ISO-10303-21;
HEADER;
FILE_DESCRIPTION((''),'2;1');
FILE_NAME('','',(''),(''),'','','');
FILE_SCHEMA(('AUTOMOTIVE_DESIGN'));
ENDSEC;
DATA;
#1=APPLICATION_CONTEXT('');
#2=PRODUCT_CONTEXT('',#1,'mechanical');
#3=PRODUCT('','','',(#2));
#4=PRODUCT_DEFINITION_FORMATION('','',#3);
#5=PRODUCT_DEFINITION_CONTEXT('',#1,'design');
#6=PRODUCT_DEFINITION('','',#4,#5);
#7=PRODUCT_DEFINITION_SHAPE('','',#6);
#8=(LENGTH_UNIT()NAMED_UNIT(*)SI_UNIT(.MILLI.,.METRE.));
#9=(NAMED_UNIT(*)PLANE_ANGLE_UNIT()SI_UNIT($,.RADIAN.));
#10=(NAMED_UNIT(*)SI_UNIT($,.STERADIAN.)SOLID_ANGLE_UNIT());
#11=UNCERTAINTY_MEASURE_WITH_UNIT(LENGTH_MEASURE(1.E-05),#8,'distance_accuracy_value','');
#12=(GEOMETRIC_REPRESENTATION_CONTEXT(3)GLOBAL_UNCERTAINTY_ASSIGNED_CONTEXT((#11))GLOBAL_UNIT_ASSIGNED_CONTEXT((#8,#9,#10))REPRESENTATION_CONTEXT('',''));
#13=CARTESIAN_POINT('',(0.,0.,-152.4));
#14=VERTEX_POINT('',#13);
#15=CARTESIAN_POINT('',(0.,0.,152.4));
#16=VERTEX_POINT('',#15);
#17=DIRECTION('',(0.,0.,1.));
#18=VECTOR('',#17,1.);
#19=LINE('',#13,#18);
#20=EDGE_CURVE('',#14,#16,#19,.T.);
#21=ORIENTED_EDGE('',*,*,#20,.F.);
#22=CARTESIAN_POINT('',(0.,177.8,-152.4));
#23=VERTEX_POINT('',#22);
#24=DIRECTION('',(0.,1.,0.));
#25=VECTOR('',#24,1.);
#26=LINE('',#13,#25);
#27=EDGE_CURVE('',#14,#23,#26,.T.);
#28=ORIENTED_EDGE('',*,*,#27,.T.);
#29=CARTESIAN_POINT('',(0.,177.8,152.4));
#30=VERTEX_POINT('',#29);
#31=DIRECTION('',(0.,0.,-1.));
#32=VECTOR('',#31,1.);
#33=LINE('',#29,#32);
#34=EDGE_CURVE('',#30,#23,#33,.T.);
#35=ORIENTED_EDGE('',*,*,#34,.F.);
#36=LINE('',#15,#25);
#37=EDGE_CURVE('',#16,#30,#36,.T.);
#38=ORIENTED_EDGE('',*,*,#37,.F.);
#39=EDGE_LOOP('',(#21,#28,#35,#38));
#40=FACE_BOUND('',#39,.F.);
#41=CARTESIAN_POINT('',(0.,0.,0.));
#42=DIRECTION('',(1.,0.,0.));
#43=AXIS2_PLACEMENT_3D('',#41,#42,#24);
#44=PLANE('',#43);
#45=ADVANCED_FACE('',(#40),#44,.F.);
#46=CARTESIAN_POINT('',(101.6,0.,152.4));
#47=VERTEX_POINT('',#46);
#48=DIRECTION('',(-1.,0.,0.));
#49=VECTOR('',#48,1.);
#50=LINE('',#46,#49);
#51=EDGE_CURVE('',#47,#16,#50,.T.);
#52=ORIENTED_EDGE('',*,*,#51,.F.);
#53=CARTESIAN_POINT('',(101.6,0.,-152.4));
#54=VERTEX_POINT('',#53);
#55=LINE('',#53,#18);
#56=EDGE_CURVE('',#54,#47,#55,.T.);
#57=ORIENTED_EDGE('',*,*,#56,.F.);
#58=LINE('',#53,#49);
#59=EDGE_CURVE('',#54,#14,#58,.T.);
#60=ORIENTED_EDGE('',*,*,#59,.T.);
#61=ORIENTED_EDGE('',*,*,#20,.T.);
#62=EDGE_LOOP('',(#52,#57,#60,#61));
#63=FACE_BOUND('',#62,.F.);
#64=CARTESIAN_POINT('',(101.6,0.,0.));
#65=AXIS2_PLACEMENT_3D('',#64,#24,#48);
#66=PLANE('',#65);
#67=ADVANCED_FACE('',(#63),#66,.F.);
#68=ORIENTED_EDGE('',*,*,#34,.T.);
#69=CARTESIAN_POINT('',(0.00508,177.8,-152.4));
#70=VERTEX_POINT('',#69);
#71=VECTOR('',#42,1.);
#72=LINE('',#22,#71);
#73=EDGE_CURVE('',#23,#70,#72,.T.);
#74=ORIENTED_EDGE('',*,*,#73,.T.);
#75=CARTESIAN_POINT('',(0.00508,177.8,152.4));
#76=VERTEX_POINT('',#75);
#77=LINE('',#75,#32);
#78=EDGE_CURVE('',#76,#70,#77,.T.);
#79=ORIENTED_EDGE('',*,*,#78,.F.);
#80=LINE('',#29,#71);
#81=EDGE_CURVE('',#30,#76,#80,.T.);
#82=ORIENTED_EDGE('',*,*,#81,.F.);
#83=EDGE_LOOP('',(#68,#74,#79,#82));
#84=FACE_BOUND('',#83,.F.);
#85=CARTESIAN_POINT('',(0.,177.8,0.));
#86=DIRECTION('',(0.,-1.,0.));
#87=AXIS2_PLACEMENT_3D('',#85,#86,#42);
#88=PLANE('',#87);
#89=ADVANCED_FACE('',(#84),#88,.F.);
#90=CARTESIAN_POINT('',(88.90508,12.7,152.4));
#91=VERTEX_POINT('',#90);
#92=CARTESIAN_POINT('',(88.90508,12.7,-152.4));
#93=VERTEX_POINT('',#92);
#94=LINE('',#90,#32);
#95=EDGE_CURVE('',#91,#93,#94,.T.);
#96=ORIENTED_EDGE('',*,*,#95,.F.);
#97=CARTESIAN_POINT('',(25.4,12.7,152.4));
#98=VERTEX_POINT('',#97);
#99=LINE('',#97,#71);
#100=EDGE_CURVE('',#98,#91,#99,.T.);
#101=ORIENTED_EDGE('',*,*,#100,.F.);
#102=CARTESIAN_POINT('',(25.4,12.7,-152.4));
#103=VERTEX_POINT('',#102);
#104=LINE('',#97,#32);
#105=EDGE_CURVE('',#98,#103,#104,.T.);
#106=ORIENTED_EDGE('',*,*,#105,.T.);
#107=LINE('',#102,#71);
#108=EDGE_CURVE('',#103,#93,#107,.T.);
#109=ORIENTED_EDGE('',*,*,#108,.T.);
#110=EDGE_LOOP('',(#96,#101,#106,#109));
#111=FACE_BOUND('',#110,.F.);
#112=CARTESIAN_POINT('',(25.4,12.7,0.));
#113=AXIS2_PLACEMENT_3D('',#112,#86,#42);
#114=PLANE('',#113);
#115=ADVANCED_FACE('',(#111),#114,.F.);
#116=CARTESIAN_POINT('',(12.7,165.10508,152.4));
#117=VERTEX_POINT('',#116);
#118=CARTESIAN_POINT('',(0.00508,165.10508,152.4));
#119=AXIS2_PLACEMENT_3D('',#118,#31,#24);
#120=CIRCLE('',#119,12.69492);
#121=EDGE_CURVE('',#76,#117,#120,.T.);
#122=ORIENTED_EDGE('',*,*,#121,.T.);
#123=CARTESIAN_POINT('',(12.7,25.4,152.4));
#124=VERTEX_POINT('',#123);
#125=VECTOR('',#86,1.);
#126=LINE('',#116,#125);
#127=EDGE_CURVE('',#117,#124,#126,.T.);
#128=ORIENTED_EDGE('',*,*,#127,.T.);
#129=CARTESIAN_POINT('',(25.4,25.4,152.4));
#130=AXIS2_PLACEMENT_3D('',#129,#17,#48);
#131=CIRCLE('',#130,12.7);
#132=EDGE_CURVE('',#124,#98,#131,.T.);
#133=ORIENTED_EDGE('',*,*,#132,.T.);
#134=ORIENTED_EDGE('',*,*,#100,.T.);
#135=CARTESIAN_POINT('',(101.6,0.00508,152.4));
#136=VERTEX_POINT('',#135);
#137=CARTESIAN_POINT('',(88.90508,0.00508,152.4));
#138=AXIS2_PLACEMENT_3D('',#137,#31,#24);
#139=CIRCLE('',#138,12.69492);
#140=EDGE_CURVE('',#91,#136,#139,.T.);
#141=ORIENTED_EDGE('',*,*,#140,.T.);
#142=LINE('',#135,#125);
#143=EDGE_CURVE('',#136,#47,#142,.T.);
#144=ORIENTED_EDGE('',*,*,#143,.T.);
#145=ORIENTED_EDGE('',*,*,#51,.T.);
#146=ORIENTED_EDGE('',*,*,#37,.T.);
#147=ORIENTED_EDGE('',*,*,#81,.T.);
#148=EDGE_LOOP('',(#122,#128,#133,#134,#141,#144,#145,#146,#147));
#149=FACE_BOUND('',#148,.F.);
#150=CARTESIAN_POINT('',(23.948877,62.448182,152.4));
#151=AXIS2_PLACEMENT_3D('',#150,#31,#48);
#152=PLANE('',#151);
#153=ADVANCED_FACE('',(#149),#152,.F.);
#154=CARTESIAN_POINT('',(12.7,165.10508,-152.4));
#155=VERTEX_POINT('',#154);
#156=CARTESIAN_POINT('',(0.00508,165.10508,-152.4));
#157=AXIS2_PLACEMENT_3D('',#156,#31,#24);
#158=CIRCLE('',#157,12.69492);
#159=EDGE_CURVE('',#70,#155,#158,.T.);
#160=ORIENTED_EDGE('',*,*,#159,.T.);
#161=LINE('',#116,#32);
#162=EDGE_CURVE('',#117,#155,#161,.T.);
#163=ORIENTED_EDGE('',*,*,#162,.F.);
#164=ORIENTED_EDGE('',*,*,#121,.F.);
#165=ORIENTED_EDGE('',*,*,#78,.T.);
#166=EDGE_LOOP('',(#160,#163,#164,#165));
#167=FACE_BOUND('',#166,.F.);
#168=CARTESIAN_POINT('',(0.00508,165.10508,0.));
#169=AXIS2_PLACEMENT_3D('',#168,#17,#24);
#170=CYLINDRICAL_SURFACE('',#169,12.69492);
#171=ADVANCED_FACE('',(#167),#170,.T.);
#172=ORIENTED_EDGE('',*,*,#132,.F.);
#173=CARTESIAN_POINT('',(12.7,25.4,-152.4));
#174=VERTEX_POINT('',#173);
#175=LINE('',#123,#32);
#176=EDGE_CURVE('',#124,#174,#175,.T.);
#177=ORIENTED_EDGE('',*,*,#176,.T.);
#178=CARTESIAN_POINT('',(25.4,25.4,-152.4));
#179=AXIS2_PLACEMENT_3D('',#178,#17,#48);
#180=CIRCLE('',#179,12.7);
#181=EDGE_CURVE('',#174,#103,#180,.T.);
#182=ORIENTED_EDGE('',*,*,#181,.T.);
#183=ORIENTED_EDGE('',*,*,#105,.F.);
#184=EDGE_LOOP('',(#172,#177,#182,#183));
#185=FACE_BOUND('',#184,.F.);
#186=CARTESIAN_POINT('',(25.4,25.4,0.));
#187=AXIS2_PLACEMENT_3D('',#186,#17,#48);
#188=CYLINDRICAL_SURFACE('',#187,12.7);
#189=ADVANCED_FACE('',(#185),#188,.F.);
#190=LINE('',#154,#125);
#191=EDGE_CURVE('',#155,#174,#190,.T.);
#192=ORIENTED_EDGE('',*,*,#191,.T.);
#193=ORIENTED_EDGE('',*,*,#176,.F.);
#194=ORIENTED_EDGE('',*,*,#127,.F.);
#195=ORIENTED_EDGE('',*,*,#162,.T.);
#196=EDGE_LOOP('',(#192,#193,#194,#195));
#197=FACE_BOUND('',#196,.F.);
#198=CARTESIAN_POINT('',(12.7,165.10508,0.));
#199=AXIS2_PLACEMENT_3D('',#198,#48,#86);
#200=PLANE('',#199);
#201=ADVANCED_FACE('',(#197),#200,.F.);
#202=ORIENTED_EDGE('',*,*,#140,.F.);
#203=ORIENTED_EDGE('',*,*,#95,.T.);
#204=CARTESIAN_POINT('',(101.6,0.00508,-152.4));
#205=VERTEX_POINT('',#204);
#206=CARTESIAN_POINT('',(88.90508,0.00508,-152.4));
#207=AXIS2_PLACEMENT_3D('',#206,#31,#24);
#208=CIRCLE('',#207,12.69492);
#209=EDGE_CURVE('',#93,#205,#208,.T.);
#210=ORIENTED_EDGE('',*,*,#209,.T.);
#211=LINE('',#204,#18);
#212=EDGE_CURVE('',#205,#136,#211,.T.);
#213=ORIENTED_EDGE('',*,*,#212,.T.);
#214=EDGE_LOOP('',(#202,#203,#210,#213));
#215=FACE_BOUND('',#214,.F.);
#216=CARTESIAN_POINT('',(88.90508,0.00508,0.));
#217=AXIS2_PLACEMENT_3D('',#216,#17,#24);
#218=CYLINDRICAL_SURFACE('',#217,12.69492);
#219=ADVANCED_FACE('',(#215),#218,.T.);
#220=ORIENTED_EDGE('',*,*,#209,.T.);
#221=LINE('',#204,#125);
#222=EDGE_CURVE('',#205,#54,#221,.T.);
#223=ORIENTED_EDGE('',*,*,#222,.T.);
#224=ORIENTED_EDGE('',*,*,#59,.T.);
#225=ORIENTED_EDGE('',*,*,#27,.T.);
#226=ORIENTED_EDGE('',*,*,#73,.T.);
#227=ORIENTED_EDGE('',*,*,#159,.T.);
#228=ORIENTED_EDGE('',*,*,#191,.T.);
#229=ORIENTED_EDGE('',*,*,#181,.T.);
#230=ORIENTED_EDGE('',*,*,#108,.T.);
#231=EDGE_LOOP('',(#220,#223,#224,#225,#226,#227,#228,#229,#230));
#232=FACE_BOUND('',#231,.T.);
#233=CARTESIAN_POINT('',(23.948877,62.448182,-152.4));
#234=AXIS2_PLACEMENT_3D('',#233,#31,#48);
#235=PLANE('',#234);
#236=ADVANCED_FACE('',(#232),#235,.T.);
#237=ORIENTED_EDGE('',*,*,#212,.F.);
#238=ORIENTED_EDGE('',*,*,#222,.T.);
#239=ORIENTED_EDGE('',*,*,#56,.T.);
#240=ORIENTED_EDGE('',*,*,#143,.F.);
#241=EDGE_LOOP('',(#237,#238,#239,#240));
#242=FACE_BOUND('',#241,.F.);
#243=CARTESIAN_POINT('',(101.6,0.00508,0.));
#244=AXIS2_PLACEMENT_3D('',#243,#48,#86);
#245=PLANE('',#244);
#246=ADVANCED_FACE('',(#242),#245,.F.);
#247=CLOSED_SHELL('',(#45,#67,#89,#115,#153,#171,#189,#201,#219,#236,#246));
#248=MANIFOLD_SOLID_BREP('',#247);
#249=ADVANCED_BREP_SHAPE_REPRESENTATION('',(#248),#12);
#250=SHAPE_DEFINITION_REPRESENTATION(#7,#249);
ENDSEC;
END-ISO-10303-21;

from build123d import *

# Parameters (mm, degrees)
BOSS_EXTRUDE2_DEPTH = 152.4


with BuildPart() as part:
    # Sketch2 → Boss-Extrude2 (new body, symmetric)
    with BuildSketch(Plane.XY):
        with BuildLine():
            Line((0, 0), (0, 177.8))
            Line((0, 177.8), (0.00508, 177.8))
            ThreePointArc((0.00508, 177.8), (8.981744019, 174.081744019), (12.7, 165.10508))
            Line((12.7, 165.10508), (12.7, 25.4))
            ThreePointArc((12.7, 25.4), (16.419743879, 16.419743879), (25.4, 12.7))
            Line((25.4, 12.7), (88.90508, 12.7))
            ThreePointArc((88.90508, 12.7), (97.881744019, 8.981744019), (101.6, 0.00508))
            Line((101.6, 0.00508), (101.6, 0))
            Line((101.6, 0), (0, 0))
        make_face()
    extrude(amount=BOSS_EXTRUDE2_DEPTH, both=True)


solid = part.part
